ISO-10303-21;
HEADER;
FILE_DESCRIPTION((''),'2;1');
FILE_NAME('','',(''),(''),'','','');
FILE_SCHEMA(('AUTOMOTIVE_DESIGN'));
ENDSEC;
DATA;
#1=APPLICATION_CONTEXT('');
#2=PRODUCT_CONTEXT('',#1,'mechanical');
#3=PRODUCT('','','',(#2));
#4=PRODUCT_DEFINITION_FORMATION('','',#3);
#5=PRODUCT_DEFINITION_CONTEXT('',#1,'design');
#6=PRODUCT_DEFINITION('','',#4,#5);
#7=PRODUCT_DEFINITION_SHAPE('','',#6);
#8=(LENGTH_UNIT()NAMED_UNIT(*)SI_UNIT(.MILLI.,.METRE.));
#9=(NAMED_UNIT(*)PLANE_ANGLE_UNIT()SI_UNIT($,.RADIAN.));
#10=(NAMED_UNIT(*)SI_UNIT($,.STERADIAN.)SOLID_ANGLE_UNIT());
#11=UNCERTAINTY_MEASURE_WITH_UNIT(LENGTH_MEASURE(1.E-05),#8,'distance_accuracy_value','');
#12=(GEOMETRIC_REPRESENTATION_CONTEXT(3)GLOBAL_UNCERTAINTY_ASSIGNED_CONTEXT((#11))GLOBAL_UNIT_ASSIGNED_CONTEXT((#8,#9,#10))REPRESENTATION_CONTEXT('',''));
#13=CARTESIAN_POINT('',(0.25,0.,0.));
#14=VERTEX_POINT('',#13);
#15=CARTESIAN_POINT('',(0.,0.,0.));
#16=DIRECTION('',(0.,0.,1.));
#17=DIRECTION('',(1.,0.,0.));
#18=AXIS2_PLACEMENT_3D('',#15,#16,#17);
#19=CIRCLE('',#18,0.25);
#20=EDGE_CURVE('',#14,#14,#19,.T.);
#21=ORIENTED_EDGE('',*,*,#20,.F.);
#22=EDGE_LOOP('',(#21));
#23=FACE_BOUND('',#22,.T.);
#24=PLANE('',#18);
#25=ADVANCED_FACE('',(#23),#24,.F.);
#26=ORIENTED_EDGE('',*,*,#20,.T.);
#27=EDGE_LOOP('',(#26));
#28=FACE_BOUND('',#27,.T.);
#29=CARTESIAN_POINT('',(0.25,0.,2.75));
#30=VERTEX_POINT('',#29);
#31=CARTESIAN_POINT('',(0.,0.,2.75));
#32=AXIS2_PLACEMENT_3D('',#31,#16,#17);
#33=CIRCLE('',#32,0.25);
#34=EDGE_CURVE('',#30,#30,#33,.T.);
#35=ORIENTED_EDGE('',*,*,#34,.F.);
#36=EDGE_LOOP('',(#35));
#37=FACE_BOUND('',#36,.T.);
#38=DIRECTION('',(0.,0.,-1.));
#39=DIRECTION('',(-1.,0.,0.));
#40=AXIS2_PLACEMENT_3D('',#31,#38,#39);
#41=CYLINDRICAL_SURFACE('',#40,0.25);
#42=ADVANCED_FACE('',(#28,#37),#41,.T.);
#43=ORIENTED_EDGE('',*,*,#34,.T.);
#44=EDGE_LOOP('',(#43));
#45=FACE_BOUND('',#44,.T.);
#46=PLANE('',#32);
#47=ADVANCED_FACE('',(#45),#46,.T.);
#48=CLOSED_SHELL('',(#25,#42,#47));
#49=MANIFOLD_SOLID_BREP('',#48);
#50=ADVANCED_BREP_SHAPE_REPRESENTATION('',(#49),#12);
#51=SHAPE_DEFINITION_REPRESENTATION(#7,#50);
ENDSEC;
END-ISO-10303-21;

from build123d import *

# Parameters (mm, degrees)
CROQUIS1_R              = 0.25
SALIENTE_EXTRUIR1_DEPTH = 2.75


with BuildPart() as part:
    # Croquis1 → Saliente-Extruir1 (new body)
    with BuildSketch(Plane.XY):
        Circle(CROQUIS1_R)
    extrude(amount=SALIENTE_EXTRUIR1_DEPTH)


solid = part.part
